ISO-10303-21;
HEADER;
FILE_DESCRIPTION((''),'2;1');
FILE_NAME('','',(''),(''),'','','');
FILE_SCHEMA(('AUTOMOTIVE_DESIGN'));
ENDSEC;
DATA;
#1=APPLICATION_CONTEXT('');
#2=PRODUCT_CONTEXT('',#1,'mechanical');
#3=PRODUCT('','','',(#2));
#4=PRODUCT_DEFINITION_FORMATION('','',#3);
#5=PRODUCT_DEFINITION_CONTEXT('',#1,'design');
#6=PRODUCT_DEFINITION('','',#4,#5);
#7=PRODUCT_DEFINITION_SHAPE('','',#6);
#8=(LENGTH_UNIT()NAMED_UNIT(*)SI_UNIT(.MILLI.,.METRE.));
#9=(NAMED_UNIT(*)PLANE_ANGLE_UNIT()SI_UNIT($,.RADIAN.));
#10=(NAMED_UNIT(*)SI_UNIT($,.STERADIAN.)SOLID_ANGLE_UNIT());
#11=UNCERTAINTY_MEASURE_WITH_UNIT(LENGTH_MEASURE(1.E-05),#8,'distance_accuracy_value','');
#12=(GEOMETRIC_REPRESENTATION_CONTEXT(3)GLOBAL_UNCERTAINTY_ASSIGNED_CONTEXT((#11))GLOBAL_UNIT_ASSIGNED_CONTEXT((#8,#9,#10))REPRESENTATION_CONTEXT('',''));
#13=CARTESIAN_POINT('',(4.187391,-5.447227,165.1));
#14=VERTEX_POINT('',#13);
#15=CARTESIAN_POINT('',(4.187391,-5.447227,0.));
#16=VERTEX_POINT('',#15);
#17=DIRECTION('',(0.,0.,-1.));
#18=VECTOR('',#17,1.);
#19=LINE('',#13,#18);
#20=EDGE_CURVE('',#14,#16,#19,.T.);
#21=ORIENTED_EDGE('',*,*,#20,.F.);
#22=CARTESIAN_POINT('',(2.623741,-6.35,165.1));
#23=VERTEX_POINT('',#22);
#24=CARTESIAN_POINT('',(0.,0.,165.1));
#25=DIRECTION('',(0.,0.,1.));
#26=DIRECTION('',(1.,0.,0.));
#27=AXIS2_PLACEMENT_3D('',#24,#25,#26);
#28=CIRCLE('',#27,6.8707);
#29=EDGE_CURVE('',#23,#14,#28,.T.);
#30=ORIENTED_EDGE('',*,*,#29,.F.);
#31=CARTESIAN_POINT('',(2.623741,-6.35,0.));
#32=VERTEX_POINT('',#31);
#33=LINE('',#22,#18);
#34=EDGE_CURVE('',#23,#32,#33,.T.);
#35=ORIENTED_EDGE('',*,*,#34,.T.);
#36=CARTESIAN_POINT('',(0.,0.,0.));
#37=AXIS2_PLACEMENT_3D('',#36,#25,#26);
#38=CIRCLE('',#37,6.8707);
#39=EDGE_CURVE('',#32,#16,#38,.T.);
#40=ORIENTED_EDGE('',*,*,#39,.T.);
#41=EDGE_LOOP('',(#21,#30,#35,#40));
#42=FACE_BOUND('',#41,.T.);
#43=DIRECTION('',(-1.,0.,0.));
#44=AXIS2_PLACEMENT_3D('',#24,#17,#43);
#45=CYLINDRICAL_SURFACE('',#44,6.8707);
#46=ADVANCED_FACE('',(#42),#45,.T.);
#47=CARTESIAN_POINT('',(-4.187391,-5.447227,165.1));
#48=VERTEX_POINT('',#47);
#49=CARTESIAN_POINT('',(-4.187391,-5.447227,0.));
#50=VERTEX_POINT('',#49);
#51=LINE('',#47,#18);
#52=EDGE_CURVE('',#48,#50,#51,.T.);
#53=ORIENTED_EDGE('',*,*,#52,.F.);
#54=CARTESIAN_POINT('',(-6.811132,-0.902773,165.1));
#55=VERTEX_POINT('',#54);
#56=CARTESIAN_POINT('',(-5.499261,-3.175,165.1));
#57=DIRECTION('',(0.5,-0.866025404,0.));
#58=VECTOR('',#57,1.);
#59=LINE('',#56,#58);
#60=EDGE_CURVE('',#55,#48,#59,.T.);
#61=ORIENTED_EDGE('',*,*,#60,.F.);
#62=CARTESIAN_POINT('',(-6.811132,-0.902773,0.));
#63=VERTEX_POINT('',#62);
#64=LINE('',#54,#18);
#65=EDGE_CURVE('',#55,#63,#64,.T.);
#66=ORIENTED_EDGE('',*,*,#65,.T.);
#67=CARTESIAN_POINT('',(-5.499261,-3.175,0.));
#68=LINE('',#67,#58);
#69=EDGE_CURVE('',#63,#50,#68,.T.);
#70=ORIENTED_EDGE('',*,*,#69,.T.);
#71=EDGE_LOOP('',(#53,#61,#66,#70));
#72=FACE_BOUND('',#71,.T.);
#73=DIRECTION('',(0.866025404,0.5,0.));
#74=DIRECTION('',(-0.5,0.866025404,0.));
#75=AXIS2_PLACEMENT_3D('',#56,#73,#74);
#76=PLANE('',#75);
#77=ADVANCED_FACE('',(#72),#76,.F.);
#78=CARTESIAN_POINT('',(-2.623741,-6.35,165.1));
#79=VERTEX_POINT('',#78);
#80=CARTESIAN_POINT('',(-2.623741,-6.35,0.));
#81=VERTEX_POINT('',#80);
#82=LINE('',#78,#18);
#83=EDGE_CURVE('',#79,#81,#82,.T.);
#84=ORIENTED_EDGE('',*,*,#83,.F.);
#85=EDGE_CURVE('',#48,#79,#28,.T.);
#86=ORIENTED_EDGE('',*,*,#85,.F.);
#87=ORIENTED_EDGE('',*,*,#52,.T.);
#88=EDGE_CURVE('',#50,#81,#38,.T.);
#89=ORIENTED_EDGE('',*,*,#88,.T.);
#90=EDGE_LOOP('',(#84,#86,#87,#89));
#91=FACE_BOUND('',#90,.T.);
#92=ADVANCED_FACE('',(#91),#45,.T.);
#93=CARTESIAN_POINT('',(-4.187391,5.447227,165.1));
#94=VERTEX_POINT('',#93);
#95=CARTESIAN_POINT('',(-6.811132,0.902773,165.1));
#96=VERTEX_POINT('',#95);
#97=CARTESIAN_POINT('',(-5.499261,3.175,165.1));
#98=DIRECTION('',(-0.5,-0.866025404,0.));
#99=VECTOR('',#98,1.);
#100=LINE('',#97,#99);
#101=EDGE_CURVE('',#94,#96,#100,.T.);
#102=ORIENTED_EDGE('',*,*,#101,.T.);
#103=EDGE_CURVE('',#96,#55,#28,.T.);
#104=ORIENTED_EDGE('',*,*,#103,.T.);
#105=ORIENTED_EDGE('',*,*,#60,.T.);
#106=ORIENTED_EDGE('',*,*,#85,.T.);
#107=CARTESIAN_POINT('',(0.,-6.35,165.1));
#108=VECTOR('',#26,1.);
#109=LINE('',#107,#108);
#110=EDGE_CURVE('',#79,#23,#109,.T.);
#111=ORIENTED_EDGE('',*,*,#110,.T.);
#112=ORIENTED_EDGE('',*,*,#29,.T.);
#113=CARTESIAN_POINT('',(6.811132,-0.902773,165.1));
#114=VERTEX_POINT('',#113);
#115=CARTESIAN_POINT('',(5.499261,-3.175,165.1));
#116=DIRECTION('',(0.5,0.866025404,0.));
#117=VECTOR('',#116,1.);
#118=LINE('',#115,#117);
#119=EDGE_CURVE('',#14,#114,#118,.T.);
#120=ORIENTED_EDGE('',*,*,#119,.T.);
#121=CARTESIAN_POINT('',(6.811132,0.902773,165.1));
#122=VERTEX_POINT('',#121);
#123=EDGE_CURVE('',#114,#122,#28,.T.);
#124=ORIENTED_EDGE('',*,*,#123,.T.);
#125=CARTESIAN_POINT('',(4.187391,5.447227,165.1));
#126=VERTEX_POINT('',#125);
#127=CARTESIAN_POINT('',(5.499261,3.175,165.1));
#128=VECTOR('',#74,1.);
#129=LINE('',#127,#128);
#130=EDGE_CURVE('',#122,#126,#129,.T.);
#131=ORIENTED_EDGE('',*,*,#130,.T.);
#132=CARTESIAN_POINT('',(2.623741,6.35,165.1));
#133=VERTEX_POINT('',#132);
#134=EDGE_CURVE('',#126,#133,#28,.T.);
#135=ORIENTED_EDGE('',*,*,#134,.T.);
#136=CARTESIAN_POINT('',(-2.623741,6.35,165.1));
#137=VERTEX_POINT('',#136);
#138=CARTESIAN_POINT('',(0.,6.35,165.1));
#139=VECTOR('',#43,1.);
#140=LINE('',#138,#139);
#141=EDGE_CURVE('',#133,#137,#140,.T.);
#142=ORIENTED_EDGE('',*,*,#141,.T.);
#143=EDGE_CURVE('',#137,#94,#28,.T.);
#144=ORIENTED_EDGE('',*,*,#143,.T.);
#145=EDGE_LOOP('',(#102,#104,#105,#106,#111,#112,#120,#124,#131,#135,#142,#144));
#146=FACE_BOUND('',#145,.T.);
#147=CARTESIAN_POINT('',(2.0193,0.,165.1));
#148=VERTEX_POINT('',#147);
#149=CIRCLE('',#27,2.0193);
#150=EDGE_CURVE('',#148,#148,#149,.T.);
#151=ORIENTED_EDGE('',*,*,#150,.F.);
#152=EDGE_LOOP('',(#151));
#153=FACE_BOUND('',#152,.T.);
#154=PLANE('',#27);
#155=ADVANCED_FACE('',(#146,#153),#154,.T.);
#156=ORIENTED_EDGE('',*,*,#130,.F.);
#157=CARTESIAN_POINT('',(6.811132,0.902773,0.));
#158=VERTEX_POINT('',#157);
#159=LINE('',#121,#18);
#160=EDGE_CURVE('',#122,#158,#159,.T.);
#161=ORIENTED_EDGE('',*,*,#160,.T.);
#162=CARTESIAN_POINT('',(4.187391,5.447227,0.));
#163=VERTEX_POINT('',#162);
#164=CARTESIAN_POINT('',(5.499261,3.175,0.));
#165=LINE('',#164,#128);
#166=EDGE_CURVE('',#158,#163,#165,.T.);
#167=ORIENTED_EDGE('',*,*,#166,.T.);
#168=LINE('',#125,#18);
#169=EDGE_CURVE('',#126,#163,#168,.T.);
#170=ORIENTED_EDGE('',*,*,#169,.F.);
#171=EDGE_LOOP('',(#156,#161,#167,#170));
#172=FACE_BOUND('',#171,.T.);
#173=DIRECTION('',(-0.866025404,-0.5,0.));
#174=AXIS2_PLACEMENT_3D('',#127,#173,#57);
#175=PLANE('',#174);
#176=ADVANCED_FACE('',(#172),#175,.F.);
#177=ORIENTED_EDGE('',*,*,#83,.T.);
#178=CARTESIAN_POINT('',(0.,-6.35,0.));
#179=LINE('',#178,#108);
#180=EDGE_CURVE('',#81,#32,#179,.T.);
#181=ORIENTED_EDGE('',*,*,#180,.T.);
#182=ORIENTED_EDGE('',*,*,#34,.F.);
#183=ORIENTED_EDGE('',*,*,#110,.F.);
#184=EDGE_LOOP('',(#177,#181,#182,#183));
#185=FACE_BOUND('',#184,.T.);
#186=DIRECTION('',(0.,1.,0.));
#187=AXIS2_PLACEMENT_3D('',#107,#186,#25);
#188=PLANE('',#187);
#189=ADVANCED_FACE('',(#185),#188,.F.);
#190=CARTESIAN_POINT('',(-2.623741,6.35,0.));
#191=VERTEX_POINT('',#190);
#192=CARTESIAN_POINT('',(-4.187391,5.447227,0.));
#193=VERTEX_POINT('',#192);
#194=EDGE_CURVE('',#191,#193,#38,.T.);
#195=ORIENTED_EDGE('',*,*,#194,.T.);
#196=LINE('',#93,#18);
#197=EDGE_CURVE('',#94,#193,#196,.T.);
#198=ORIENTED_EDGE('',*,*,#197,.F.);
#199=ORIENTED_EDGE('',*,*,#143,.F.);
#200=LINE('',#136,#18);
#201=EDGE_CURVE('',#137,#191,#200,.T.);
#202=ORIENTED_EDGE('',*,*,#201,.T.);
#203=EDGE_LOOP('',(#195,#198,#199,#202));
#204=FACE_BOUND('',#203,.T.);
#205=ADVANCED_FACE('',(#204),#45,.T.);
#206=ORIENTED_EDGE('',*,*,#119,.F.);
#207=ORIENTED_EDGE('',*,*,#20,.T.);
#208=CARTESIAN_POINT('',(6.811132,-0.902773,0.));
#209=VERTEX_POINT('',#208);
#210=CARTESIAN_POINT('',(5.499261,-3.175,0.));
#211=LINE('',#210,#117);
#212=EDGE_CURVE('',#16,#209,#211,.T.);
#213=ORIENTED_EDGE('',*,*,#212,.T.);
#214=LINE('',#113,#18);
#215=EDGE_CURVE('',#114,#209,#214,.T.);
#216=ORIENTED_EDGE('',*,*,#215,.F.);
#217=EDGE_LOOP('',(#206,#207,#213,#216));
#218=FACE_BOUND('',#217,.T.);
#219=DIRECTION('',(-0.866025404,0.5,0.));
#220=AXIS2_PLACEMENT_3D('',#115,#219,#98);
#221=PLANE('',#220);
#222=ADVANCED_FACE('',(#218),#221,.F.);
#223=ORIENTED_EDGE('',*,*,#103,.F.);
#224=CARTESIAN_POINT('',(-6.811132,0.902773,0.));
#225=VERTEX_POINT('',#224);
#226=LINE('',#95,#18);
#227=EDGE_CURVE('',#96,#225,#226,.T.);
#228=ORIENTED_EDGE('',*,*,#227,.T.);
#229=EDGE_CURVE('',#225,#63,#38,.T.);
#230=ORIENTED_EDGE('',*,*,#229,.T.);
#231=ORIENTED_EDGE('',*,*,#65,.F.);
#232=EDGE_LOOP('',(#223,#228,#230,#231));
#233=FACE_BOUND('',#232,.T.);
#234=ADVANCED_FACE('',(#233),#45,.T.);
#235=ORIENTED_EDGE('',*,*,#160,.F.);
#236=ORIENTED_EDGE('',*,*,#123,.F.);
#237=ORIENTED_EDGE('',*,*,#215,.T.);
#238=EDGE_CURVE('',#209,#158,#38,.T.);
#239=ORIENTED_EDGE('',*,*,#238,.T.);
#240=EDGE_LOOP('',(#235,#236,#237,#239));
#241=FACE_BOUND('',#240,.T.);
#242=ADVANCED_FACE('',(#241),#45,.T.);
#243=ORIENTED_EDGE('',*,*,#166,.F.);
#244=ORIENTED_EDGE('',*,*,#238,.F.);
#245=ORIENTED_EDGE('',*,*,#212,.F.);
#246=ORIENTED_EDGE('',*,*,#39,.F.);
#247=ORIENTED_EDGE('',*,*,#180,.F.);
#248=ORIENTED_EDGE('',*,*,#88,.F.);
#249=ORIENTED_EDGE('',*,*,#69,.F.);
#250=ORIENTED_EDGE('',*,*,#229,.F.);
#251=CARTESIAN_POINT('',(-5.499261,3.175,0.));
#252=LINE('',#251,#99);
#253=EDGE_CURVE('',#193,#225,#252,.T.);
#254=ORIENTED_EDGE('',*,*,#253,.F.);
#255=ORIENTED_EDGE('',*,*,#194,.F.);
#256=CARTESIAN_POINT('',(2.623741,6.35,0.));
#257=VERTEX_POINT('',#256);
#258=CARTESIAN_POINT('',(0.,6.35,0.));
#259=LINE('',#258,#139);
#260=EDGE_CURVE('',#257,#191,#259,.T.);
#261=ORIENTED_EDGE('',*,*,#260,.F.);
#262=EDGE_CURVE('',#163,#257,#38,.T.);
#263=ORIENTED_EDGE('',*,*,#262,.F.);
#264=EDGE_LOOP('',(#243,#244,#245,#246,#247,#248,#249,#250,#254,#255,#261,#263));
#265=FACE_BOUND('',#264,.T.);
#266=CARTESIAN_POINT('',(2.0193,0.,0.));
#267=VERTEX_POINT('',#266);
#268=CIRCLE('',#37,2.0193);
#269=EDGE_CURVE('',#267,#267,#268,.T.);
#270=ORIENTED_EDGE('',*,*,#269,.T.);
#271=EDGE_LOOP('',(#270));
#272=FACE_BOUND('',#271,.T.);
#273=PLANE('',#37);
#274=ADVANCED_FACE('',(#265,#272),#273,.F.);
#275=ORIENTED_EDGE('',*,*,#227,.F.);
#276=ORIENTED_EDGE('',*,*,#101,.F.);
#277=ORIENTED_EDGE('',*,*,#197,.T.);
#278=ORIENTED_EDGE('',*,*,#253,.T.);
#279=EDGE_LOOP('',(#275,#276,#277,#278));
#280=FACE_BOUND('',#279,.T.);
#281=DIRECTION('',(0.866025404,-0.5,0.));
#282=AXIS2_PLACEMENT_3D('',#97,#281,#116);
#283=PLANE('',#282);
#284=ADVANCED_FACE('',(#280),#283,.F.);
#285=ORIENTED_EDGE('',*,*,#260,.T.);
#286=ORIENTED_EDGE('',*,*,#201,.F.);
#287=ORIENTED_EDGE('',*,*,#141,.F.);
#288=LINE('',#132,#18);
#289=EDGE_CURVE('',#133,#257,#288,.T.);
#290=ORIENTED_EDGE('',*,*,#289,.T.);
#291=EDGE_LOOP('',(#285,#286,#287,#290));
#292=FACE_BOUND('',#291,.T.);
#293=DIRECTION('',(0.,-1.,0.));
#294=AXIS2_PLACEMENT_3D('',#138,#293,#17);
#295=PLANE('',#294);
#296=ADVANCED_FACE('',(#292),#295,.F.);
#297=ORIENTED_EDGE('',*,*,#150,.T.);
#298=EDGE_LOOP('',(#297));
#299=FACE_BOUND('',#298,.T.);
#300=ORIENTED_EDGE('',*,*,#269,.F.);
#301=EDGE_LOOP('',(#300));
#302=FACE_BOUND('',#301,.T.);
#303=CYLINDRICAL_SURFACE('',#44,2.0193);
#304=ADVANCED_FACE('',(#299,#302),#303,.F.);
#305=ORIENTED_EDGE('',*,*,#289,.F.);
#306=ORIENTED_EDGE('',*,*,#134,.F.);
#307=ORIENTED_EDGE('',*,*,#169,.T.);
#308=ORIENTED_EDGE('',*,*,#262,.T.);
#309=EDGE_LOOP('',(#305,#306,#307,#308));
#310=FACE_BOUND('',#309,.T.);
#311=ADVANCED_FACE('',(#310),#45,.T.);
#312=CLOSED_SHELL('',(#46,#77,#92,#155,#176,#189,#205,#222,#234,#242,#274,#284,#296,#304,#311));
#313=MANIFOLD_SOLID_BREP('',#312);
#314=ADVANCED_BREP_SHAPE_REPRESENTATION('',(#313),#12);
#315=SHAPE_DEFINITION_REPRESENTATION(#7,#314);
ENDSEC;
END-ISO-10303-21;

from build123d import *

# Parameters (mm, degrees)
SKETCH1_R           = 2.0193
BOSS_EXTRUDE1_DEPTH = 165.1


with BuildPart() as part:
    # Sketch1 → Boss-Extrude1 (new body)
    with BuildSketch(Plane.XY):
        with BuildLine():
            ThreePointArc((-2.623741315, 6.35), (-3.43535, 5.950200742), (-4.187390656, 5.447226632))
            Line((-4.187390656, 5.447226632), (-6.811131972, 0.902773368))
            ThreePointArc((-6.811131972, 0.902773368), (-6.8707, 0), (-6.811131972, -0.902773368))
            Line((-6.811131972, -0.902773368), (-4.187390656, -5.447226632))
            ThreePointArc((-4.187390656, -5.447226632), (-3.43535, -5.950200742), (-2.623741315, -6.35))
            Line((-2.623741315, -6.35), (2.623741315, -6.35))
            ThreePointArc((2.623741315, -6.35), (3.43535, -5.950200742), (4.187390656, -5.447226632))
            Line((4.187390656, -5.447226632), (6.811131972, -0.902773368))
            ThreePointArc((6.811131972, -0.902773368), (6.8707, 0), (6.811131972, 0.902773368))
            Line((6.811131972, 0.902773368), (4.187390656, 5.447226632))
            ThreePointArc((4.187390656, 5.447226632), (3.43535, 5.950200742), (2.623741315, 6.35))
            Line((2.623741315, 6.35), (-2.623741315, 6.35))
        make_face()
        Circle(SKETCH1_R, mode=Mode.SUBTRACT)
    extrude(amount=BOSS_EXTRUDE1_DEPTH)


solid = part.part
